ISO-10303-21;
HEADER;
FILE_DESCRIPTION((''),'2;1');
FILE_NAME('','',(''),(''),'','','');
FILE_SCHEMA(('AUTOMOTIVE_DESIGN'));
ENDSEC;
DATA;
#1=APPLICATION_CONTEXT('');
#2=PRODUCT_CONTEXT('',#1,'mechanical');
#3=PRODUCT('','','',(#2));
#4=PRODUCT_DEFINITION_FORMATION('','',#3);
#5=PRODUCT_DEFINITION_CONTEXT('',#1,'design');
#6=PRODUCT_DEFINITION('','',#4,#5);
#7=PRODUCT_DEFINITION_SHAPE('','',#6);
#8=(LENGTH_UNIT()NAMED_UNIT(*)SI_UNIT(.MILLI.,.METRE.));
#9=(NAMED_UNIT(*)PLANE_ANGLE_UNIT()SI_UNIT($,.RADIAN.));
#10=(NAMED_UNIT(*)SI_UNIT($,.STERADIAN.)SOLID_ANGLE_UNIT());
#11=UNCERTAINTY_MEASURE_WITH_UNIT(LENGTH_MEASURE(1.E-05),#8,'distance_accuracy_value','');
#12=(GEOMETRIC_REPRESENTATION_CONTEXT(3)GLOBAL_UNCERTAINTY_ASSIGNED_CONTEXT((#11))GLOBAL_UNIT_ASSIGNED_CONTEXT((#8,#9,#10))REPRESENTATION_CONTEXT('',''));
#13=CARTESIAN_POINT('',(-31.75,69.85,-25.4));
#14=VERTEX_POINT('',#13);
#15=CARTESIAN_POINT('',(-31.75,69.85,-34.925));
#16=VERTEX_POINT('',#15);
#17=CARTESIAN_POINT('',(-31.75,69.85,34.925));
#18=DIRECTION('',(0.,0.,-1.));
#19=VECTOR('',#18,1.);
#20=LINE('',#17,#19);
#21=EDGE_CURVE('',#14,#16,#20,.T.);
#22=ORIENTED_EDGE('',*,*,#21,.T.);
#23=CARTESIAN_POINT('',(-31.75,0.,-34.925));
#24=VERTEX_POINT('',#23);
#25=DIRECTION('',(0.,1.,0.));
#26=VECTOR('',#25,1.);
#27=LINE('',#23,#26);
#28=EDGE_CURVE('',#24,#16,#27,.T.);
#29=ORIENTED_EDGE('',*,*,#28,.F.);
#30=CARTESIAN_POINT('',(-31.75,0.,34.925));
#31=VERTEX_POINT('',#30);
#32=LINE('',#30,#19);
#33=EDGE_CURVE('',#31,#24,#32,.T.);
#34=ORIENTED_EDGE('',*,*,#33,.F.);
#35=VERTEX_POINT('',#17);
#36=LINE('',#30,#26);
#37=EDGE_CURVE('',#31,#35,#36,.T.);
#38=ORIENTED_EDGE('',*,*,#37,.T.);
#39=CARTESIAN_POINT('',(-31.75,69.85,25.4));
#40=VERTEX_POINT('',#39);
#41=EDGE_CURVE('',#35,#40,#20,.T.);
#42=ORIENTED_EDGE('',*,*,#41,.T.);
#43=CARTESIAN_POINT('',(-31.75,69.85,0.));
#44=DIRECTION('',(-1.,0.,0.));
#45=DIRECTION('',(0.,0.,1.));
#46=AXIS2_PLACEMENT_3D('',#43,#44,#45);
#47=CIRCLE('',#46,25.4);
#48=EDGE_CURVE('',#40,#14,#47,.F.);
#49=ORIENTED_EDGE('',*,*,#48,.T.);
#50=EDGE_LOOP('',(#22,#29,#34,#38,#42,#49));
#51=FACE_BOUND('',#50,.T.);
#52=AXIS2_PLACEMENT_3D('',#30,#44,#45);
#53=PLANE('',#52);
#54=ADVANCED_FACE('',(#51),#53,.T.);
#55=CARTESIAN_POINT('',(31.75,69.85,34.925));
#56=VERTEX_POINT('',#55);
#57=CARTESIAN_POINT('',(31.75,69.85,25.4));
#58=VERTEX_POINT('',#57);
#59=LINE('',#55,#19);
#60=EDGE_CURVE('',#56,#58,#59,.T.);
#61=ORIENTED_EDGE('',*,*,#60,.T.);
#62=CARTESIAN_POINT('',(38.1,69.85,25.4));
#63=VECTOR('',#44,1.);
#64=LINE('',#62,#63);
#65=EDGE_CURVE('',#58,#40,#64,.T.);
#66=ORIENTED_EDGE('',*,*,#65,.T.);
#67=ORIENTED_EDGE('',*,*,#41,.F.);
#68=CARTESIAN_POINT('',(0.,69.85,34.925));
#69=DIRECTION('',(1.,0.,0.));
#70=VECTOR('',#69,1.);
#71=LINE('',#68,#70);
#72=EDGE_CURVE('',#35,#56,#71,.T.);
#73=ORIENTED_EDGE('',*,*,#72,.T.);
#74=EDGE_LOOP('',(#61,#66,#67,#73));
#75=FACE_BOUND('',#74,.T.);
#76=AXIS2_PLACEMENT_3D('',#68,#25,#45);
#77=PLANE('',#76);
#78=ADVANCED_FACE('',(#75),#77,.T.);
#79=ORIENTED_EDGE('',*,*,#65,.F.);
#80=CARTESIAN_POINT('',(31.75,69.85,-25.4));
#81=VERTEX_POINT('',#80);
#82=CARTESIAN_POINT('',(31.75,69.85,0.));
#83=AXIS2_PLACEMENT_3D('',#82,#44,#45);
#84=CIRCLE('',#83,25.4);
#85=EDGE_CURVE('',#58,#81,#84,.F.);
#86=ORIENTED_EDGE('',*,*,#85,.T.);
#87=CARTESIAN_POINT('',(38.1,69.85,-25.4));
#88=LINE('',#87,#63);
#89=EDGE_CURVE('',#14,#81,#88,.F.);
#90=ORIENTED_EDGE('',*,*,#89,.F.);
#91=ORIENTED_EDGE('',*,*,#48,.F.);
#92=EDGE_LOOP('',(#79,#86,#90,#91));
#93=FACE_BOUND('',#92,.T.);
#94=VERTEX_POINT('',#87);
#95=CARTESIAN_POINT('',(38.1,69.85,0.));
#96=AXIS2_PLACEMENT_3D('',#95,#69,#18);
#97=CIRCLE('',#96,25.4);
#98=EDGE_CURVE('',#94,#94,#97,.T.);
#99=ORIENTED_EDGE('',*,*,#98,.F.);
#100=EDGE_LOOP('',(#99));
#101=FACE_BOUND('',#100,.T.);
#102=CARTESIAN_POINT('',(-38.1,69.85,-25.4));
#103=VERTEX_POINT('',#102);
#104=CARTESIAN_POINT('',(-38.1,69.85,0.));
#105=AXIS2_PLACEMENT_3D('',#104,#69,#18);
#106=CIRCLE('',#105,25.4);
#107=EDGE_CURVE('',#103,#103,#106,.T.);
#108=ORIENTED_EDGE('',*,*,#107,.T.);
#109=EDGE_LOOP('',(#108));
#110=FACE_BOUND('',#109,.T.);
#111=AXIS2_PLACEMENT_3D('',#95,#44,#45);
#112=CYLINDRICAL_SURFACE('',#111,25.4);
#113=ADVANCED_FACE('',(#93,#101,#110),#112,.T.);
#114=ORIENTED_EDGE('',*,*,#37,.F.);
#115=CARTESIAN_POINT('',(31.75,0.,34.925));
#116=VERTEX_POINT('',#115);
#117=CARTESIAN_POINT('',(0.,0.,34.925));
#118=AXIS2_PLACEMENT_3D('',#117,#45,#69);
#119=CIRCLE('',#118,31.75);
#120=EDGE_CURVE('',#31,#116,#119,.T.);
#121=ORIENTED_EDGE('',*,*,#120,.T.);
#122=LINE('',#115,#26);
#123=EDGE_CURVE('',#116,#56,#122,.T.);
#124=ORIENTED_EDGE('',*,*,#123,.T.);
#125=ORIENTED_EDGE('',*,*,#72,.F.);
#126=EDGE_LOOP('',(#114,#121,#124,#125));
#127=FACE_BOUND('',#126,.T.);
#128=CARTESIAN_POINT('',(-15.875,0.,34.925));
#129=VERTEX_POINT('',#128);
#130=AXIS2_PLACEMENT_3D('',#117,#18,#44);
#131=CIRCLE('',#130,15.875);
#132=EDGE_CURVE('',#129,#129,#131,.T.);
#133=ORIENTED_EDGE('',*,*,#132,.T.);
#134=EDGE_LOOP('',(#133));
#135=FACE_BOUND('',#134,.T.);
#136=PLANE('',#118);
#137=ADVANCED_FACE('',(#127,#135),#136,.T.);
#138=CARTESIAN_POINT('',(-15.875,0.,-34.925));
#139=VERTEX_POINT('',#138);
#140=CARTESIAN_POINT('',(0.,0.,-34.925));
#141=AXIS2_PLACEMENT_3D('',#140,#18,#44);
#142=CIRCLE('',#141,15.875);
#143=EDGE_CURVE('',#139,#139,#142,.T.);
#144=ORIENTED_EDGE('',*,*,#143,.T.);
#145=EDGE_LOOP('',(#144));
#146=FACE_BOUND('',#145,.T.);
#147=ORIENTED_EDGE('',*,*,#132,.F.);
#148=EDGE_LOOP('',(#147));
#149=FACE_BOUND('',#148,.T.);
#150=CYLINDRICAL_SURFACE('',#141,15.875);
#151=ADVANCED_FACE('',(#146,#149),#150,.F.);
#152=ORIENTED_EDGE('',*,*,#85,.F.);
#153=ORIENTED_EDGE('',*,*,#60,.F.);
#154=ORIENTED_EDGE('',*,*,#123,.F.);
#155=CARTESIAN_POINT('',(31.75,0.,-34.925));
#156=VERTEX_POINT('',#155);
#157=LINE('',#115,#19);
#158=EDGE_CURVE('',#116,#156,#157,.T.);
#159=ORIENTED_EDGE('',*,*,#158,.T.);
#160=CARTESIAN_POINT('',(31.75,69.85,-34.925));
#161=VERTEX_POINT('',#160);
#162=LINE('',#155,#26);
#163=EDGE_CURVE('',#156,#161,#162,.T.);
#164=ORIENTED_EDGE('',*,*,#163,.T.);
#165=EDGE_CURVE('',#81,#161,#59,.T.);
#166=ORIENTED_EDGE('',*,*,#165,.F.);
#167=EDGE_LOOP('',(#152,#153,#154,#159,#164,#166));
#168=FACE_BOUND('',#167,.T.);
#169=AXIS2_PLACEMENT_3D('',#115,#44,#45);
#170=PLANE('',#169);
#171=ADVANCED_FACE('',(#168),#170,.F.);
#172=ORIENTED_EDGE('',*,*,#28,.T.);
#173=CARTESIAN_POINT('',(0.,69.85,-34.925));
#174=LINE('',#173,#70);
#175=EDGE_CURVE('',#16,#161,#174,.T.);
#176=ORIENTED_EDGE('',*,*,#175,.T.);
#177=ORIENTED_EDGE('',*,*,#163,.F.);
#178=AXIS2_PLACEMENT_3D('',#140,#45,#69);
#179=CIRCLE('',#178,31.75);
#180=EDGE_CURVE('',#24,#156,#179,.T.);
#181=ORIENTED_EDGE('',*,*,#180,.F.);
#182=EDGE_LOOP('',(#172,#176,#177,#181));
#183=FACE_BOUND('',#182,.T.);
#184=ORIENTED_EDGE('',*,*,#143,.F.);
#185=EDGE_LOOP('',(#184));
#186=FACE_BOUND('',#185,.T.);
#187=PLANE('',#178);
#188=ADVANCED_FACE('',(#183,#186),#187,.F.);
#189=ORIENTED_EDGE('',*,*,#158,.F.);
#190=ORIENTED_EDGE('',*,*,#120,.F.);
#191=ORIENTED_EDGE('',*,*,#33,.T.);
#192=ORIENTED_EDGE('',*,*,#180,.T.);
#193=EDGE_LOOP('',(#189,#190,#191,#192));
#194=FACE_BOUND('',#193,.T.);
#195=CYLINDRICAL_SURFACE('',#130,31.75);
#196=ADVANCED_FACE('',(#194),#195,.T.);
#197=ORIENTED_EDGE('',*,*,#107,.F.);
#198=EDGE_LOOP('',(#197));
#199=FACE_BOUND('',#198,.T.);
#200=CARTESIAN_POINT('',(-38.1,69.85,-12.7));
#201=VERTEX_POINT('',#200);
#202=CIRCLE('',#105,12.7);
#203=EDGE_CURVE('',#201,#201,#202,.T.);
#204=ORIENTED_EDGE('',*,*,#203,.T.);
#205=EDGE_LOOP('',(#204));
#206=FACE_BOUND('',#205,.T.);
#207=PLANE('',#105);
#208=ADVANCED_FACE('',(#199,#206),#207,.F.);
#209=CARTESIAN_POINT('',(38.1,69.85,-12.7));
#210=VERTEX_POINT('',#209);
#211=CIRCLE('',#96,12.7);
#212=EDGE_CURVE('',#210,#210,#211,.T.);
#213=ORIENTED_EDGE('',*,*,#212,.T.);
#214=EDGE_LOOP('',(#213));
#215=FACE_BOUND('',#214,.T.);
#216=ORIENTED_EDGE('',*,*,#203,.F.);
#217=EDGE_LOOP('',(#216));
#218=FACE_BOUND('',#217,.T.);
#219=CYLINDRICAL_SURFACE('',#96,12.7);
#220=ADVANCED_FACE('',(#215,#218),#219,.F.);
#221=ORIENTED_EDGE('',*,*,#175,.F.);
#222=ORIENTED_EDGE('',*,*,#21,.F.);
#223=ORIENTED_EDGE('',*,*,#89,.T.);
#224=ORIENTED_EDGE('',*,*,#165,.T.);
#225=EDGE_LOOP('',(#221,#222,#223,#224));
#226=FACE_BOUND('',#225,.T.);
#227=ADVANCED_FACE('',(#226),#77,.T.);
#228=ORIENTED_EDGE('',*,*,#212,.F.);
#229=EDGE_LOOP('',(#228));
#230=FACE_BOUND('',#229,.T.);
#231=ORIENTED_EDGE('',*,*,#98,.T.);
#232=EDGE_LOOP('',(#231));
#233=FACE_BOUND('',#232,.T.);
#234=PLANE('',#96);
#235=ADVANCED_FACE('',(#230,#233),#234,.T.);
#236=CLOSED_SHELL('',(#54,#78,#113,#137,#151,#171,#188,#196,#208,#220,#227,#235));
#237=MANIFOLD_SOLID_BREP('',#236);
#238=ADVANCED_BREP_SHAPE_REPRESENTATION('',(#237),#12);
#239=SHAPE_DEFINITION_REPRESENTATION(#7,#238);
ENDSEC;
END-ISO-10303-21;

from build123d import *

# Parameters (mm, degrees)
SKETCH1_R                  = 31.75
BOSS_EXTRUDE1_DEPTH        = 34.925
SKETCH3_R                  = 25.4
BOSS_EXTRUDE2_DEPTH        = 38.1
F_97_1_DIAMETER_HOLE1_D    = 25.4
F_97_1_25_DIAMETER_HOLE1_D = 31.75


with BuildPart() as part:
    # Sketch1 → Boss-Extrude1 (new body, symmetric)
    with BuildSketch(Plane.XY):
        with BuildLine():
            ThreePointArc((-31.75, 0), (0, 31.75), (31.75, 0))
            Line((31.75, 0), (31.75, 69.85))
            Line((31.75, 69.85), (-31.75, 69.85))
            Line((-31.75, 69.85), (-31.75, 0))
        make_face()
        Circle(SKETCH1_R)
    extrude(amount=BOSS_EXTRUDE1_DEPTH, both=True)

    # Sketch3 → Boss-Extrude2 (add, symmetric)
    with BuildSketch(Plane(origin=(0, 0, 0), x_dir=(0, 0, -1), z_dir=(1, 0, 0))):
        with Locations((0, 69.85)):
            Circle(SKETCH3_R)
    extrude(amount=BOSS_EXTRUDE2_DEPTH, both=True)

    # #97 (1) Diameter Hole1 (through all)
    with Locations(Plane(origin=(38.1, 0, 0), x_dir=(0, 0, -1), z_dir=(1, 0, 0))):
        with Locations((0, 69.85)):
            Hole(F_97_1_DIAMETER_HOLE1_D / 2)

    # #97 (1.25) Diameter Hole1 (through all)
    with Locations(Plane(origin=(0, 0, -34.925), x_dir=(-1, 0, 0), z_dir=(0, 0, -1))):
        with Locations((0, 0)):
            Hole(F_97_1_25_DIAMETER_HOLE1_D / 2)


solid = part.part
